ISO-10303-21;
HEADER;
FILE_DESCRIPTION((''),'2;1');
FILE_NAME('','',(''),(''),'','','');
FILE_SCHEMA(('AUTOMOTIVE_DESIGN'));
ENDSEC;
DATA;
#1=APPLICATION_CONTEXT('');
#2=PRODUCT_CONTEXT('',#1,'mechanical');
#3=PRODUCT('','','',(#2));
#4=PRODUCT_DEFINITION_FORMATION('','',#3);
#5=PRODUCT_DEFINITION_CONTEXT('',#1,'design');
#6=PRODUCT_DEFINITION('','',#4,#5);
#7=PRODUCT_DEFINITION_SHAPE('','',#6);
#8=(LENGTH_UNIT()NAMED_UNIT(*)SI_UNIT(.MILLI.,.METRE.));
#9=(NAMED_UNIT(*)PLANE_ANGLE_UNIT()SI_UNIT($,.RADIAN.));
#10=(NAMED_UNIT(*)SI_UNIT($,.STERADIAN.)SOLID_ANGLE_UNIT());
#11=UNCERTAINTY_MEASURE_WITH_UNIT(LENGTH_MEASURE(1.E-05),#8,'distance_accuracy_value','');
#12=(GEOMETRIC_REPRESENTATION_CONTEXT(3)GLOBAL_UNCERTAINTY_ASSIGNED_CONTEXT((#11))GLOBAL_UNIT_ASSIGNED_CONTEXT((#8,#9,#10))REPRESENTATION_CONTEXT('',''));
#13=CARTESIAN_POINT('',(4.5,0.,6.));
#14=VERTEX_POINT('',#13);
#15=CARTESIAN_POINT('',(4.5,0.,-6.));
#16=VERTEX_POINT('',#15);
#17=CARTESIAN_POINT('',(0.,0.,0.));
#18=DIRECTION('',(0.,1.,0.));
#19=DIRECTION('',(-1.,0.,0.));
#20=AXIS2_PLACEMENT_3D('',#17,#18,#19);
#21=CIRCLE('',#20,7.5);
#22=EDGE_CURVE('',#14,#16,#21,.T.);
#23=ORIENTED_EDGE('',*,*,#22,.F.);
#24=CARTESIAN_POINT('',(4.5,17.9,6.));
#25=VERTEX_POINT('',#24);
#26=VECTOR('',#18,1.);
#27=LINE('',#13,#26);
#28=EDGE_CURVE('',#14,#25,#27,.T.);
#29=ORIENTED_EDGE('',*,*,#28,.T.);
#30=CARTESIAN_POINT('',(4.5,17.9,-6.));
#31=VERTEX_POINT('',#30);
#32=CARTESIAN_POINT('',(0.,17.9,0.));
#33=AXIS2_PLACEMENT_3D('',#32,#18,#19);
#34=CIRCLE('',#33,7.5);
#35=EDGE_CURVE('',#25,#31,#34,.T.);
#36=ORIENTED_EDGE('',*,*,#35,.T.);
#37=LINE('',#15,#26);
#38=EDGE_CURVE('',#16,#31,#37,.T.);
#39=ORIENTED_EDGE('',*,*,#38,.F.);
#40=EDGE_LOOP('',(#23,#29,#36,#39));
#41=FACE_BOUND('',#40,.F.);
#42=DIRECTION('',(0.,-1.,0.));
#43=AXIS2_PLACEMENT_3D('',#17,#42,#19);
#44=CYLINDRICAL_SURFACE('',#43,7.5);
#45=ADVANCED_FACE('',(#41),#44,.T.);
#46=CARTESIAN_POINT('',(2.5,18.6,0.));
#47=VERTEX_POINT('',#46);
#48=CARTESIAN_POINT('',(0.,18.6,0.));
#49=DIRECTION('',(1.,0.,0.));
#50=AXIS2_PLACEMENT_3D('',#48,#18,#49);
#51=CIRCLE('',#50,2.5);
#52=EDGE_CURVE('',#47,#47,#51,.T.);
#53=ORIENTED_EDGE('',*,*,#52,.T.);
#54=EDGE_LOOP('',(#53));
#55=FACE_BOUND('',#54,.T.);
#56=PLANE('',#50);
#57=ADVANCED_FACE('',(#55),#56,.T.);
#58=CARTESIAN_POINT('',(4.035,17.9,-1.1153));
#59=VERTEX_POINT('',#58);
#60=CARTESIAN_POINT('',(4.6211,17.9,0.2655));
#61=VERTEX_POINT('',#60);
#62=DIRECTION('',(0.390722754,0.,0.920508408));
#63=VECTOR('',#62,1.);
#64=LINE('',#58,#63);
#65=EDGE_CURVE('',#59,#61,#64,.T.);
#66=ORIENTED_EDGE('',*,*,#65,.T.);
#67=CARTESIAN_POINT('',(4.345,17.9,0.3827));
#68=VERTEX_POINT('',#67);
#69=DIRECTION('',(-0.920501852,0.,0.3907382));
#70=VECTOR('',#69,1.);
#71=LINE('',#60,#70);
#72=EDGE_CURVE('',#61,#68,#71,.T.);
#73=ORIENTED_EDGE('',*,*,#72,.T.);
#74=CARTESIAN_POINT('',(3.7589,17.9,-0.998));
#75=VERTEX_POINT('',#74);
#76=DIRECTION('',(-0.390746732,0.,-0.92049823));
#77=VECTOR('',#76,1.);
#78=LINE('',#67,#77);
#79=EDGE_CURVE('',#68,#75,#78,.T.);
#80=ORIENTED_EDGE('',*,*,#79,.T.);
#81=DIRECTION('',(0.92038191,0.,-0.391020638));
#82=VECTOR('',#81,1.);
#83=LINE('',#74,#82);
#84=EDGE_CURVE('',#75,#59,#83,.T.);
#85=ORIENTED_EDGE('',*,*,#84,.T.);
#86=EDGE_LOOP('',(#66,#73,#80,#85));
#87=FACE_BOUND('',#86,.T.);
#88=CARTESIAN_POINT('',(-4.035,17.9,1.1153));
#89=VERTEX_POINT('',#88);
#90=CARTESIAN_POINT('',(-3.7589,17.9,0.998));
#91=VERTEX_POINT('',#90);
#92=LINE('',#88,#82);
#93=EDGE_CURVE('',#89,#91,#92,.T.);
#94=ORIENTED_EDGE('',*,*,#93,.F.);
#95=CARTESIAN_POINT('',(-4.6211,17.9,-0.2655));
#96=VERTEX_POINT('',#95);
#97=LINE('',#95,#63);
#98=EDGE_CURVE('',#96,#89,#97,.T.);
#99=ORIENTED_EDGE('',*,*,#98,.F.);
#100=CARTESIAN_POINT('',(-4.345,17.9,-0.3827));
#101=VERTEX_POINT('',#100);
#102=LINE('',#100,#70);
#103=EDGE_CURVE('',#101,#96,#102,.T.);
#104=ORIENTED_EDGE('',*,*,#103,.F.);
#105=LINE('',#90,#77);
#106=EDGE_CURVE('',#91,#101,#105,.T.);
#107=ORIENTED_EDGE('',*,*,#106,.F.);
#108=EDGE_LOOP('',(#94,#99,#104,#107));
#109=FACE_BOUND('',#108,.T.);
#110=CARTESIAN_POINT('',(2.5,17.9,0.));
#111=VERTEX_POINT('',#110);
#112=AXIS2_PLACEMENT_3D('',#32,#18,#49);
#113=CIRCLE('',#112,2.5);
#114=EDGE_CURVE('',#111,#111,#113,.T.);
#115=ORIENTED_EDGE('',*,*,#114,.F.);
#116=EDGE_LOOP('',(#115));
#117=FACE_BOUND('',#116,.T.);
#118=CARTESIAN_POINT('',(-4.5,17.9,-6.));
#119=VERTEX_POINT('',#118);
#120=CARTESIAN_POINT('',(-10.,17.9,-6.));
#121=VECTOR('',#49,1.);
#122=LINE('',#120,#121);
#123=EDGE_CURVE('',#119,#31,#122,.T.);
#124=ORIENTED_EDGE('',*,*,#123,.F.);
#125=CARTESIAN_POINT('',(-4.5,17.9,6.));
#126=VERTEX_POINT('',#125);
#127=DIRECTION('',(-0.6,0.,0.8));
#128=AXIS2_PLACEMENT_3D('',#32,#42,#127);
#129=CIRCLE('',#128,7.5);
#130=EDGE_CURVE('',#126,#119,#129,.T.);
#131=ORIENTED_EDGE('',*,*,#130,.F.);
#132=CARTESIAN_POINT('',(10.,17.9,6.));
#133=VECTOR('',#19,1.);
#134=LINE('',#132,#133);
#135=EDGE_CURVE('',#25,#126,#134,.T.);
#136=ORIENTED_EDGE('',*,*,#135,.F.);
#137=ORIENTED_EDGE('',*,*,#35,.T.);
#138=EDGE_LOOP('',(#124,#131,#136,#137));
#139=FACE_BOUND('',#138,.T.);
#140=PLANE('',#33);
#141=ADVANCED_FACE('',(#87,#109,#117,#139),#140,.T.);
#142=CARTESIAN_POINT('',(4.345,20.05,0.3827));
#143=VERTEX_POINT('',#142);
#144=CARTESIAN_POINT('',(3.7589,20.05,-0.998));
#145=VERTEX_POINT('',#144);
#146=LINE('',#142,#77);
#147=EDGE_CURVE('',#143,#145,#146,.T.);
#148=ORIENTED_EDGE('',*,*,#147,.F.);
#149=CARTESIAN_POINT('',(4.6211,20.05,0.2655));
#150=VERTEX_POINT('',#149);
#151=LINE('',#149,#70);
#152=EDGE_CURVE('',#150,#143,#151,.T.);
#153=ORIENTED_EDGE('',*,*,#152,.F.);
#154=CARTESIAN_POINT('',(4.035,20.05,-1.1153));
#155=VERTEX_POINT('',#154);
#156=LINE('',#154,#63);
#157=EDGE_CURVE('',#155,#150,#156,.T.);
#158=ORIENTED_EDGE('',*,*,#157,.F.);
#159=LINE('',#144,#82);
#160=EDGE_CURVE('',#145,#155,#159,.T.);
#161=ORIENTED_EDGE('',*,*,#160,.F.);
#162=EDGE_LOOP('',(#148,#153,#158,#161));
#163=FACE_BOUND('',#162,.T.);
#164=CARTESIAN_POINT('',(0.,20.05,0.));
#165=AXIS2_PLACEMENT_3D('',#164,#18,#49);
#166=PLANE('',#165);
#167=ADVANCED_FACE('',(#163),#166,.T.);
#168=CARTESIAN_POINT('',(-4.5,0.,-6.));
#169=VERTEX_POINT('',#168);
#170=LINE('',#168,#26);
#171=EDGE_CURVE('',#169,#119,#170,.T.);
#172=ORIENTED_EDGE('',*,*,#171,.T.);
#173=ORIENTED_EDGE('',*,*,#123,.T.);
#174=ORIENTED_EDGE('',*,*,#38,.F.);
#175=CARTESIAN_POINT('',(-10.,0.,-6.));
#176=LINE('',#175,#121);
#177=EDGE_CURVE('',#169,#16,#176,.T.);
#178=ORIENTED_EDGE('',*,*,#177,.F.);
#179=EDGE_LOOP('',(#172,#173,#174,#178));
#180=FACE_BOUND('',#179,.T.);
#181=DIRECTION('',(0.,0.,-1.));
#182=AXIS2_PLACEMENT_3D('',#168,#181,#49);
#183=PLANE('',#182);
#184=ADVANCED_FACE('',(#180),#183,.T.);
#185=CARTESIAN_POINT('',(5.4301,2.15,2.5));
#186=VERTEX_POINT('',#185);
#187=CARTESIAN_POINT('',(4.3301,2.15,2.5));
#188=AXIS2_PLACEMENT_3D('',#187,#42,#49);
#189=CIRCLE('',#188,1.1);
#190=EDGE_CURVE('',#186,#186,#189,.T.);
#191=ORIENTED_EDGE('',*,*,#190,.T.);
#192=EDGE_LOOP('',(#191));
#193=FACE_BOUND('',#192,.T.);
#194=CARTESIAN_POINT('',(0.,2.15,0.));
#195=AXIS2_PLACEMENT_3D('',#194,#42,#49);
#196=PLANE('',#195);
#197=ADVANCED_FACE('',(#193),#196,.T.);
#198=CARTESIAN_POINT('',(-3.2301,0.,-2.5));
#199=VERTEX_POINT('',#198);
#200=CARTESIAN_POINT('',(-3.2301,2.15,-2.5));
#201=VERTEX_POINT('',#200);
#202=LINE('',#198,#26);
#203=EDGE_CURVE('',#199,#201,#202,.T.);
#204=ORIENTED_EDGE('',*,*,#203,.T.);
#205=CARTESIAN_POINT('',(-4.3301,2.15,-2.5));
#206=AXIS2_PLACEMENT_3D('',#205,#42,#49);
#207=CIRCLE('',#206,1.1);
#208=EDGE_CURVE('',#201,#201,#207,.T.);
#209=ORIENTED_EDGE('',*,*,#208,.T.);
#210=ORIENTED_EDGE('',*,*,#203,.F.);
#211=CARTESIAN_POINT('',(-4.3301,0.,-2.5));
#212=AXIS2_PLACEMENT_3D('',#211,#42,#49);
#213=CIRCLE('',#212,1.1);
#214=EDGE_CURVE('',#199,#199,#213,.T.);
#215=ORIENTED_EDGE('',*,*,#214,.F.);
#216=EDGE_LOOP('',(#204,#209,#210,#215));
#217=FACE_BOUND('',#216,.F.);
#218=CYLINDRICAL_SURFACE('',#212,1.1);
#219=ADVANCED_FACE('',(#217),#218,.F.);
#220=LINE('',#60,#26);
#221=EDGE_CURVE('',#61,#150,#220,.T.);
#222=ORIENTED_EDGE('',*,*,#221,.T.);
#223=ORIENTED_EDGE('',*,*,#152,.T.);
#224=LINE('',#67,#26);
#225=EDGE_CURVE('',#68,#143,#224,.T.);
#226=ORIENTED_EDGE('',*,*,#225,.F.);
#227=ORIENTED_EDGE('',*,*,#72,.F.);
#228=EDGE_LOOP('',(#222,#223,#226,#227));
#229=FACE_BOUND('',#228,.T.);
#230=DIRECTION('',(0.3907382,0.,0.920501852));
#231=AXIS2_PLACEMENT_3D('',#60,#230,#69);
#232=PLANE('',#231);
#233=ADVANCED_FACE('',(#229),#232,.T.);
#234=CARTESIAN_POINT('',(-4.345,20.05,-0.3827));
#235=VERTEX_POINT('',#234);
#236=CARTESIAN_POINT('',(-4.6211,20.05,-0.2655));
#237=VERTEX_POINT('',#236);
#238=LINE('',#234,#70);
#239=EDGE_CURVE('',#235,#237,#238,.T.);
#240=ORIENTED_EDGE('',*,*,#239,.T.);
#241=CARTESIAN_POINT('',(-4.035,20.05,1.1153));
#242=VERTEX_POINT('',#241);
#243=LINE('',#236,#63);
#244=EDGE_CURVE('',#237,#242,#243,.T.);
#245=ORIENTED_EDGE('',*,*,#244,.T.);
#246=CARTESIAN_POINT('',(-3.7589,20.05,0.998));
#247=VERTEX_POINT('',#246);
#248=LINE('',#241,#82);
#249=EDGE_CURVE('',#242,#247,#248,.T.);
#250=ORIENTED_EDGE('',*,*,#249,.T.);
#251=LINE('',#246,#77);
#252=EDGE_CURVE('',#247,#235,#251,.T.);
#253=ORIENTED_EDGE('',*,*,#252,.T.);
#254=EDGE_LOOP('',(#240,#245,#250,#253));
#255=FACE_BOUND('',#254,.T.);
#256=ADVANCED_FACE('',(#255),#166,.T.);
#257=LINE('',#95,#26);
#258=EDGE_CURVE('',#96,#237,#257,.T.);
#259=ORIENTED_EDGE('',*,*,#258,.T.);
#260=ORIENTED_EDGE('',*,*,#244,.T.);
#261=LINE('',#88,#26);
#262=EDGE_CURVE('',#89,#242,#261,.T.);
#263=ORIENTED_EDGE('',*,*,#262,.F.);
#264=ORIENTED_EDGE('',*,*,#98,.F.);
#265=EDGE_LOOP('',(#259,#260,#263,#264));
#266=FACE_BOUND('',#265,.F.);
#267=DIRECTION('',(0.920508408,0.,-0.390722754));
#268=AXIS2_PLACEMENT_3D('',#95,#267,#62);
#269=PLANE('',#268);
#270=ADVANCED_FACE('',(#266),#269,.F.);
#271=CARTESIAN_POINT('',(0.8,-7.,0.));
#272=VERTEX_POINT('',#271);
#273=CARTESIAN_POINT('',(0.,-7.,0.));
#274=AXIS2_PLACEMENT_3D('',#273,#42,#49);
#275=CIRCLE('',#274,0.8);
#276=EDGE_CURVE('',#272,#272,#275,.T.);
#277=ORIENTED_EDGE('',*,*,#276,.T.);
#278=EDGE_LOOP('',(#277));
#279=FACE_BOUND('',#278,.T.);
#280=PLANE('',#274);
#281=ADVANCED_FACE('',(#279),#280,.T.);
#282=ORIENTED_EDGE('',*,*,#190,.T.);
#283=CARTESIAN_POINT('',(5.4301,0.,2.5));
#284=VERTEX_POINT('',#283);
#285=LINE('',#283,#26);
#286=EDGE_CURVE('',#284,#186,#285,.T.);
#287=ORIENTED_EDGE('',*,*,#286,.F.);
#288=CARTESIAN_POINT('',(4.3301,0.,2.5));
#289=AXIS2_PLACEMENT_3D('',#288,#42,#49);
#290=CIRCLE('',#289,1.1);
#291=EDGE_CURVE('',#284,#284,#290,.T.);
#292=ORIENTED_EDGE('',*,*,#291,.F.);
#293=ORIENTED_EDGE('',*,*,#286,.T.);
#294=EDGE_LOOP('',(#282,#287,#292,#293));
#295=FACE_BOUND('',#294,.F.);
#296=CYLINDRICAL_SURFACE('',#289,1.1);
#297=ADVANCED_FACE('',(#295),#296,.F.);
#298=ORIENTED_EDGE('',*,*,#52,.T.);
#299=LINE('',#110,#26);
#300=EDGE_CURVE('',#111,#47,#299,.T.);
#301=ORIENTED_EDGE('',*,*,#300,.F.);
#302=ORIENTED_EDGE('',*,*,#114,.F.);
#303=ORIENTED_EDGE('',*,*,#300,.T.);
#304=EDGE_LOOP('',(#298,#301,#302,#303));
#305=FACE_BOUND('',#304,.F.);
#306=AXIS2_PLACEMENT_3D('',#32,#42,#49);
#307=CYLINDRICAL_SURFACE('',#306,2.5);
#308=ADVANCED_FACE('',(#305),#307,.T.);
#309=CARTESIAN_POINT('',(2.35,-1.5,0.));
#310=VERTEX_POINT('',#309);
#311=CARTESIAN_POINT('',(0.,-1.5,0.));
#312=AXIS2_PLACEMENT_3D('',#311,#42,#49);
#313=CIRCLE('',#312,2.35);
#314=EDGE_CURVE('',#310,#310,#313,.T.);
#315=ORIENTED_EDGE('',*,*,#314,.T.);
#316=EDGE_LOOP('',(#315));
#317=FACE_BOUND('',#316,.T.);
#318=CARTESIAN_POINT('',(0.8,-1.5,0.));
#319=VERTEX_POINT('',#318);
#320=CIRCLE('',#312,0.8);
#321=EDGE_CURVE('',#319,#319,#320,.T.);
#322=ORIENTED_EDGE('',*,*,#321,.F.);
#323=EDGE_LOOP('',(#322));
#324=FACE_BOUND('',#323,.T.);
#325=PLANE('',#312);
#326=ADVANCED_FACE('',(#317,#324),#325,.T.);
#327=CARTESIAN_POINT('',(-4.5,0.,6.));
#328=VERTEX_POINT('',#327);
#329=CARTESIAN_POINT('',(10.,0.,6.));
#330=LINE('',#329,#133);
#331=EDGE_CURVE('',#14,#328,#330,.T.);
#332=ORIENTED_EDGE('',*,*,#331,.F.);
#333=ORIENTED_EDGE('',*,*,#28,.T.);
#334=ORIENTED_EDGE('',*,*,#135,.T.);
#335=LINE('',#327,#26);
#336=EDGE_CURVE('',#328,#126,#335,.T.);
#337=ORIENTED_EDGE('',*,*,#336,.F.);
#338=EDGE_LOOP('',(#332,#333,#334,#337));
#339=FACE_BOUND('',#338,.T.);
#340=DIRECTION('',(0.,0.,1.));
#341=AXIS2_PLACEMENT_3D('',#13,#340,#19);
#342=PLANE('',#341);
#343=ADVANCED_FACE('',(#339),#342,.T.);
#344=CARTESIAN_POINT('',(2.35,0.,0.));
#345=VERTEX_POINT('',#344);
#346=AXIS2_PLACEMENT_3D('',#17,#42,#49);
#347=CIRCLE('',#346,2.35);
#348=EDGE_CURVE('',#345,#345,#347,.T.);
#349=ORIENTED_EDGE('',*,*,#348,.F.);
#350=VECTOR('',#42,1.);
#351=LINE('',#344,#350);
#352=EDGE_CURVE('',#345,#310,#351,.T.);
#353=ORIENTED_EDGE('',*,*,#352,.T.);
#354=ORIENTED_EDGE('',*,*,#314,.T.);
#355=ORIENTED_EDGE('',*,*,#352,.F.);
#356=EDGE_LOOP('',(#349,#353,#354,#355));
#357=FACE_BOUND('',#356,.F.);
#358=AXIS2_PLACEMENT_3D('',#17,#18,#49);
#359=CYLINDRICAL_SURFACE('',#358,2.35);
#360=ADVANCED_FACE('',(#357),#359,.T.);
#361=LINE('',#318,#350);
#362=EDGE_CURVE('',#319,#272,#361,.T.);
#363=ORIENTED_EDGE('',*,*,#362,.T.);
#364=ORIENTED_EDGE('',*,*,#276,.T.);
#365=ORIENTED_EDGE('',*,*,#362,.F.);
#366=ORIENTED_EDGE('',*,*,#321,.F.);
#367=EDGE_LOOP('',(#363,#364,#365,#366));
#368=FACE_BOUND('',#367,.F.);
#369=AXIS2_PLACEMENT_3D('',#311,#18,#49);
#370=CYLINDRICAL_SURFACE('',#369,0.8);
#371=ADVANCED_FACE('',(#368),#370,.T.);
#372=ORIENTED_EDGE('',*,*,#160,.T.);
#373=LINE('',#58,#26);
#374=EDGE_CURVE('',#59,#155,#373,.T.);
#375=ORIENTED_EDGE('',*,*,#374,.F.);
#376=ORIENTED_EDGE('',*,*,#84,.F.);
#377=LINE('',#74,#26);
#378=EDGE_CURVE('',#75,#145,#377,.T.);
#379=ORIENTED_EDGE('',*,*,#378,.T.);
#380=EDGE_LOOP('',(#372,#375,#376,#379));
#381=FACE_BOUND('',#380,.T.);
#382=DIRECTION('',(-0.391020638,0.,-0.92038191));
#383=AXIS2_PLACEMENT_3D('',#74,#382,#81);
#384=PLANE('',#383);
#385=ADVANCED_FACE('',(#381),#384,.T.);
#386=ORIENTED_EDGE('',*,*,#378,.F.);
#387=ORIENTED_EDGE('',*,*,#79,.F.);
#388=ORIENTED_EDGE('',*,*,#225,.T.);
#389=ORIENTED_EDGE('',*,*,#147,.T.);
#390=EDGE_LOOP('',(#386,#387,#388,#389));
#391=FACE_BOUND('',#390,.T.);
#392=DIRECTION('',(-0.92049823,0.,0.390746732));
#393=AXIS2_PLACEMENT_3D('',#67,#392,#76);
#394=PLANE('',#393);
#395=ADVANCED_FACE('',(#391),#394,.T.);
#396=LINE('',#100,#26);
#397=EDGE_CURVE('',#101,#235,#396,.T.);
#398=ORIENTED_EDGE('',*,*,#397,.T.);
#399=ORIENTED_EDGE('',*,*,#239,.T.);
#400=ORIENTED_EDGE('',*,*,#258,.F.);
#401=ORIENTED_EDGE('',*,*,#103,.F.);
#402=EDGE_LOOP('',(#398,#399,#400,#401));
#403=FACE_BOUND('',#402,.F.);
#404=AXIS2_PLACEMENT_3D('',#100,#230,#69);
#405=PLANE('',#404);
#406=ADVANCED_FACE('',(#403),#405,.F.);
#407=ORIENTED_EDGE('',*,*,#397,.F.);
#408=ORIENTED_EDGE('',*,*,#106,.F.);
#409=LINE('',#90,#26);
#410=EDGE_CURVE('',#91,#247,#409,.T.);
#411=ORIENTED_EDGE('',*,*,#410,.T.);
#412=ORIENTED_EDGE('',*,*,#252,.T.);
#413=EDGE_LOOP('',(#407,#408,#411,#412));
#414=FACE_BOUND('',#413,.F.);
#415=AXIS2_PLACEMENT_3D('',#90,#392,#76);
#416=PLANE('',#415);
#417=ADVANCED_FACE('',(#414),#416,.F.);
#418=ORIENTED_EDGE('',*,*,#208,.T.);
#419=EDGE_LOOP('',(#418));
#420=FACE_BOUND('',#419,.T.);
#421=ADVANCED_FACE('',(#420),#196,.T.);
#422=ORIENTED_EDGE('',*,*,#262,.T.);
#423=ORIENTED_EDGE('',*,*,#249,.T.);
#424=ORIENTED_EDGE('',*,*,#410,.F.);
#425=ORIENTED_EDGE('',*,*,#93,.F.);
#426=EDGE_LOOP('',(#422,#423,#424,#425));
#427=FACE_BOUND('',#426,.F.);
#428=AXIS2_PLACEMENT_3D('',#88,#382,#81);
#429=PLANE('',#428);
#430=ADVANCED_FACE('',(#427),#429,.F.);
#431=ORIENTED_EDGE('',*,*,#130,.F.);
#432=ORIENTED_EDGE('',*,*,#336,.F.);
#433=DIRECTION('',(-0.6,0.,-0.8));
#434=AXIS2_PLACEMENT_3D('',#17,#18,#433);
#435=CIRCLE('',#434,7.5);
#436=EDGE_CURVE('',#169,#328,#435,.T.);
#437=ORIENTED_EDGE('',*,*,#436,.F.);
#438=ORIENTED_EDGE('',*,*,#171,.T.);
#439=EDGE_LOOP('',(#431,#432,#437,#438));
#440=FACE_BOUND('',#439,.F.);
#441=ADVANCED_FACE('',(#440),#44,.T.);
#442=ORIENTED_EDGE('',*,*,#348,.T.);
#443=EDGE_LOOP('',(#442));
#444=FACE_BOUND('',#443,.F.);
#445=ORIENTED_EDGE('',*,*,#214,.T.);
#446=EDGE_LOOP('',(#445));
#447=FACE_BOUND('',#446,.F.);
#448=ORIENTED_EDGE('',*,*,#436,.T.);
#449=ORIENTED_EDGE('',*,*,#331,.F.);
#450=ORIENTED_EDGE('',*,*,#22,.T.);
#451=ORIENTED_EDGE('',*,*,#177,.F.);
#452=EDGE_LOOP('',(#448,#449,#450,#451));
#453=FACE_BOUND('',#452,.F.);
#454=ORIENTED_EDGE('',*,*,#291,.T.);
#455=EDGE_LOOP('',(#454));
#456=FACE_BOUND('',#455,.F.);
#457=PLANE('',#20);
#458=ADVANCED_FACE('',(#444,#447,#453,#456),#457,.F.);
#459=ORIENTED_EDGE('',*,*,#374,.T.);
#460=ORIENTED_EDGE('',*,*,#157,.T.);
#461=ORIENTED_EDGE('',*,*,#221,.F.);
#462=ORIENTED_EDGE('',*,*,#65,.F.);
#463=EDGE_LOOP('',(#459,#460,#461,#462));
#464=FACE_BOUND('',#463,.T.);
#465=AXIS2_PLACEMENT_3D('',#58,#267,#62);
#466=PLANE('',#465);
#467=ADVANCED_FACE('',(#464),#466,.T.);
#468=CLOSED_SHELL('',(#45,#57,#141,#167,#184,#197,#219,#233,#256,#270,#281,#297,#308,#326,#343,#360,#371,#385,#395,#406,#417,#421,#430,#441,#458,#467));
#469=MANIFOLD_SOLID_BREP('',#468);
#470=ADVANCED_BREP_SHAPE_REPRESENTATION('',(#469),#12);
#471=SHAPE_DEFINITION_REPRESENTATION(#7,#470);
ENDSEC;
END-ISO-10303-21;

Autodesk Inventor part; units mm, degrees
ref_plane "YZ Plane" through (0, 0, 0) normal (1, 0, 0) x (0, 1, 0)
ref_plane "XZ Plane" through (0, 0, 0) normal (0, 1, 0) x (-1, 0, 0)
ref_plane "XY Plane" through (0, 0, 0) normal (0, 0, 1) x (1, 0, 0)
sketch "Sketch1" plane through (0, 0, 0) normal (0, 1, 0) x (-1, 0, 0)
  circle A0 centre (0, 0) radius 7.5
  line L0 (10, -6) -> (-10, -6)
  line L1 (-10, -6) -> (-10, 6)
  line L2 (-10, 6) -> (10, 6)
  line L3 (10, 6) -> (10, -6)
  line L4 (10, -6) -> (-10, 6) construction
  line L5 (-10, -6) -> (10, 6) construction
  point P0 (4.5, 6)
  point P1 (-4.5, 6)
  point P2 (-4.5, -6)
  point P3 (4.5, -6)
  dimension "d0" = 15
  dimension "d1" = 12
  dimension "d2" = 20
extrude "Extrusion1" add sketch "Sketch1" along normal blind 17.9 contours A0 L0 L2
sketch "Sketch2" plane through (0, 0, 0) normal (0, -1, 0) x (1, 0, 0)
  circle A0 centre (0, 0) radius 2.35
  dimension "d5" = 4.7
extrude "Extrusion2" add sketch "Sketch2" along normal blind 1.5
sketch "Sketch3" plane through (0, -1.5, 0) normal (0, -1, 0) x (1, 0, 0)
  circle A0 centre (0, 0) radius 0.8
  dimension "d8" = 1.6
extrude "Extrusion3" add sketch "Sketch3" along normal blind 5.5
sketch "Sketch4" plane through (0, 17.9, 0) normal (0, 1, 0) x (1, 0, 0)
  circle A0 centre (0, 0) radius 0.8 projected
  circle A1 centre (0, 0) radius 2.5
  dimension "d11" = 5
extrude "Extrusion4" add sketch "Sketch4" along normal blind 0.7 contours A0 | A1
sketch "Sketch6" plane through (0, 17.9, 0) normal (0, 1, 0) x (1, 0, 0)
  line L0 (4.6211, -0.2655) -> (4.345, -0.3827)
  line L1 (4.345, -0.3827) -> (3.7589, 0.998)
  line L2 (3.7589, 0.998) -> (4.035, 1.1153)
  line L3 (4.035, 1.1153) -> (4.6211, -0.2655)
  line L4 (4.6211, -0.2655) -> (3.7589, 0.998) construction
  line L5 (4.345, -0.3827) -> (4.035, 1.1153) construction
  line L6 (-4.345, 0.3827) -> (-4.6211, 0.2655)
  line L7 (-4.6211, 0.2655) -> (-4.035, -1.1153)
  line L8 (-4.035, -1.1153) -> (-3.7589, -0.998)
  line L9 (-3.7589, -0.998) -> (-4.345, 0.3827)
  line L10 (-4.345, 0.3827) -> (-4.035, -1.1153) construction
  line L11 (-4.6211, 0.2655) -> (-3.7589, -0.998) construction
  point P0 (0, 0)
  point P1 (4.19, 0.3663)
  point P2 (-4.19, -0.3663)
  dimension "d26" = 0.3
  dimension "d27" = 1.5
  dimension "d28" = 0.3
  dimension "d29" = 1.5
  dimension "d30" = 4.19
  dimension "d31" = 4.19
  dimension "d32" = -0.3663
  dimension "d33" = -0.3663
extrude "Extrusion5" add sketch "Sketch6" along normal blind 2.15
sketch "Sketch7" plane through (0, 0, 0) normal (0, -1, 0) x (1, 0, 0)
  line L0 (-6.7346, -3.8882) -> (6.7346, 3.8882) construction
  circle A0 centre (-4.3301, -2.5) radius 1.1
  circle A1 centre (4.3301, 2.5) radius 1.1
  point P0 (0, 0)
  point P1 (0, 0)
  dimension "d36" = 2.2
  dimension "d37" = 2.2
  dimension "d38" = 5
  dimension "d39" = 5
extrude "Extrusion6" cut sketch "Sketch7" against normal blind 2.15
properties part number "Silnik"
